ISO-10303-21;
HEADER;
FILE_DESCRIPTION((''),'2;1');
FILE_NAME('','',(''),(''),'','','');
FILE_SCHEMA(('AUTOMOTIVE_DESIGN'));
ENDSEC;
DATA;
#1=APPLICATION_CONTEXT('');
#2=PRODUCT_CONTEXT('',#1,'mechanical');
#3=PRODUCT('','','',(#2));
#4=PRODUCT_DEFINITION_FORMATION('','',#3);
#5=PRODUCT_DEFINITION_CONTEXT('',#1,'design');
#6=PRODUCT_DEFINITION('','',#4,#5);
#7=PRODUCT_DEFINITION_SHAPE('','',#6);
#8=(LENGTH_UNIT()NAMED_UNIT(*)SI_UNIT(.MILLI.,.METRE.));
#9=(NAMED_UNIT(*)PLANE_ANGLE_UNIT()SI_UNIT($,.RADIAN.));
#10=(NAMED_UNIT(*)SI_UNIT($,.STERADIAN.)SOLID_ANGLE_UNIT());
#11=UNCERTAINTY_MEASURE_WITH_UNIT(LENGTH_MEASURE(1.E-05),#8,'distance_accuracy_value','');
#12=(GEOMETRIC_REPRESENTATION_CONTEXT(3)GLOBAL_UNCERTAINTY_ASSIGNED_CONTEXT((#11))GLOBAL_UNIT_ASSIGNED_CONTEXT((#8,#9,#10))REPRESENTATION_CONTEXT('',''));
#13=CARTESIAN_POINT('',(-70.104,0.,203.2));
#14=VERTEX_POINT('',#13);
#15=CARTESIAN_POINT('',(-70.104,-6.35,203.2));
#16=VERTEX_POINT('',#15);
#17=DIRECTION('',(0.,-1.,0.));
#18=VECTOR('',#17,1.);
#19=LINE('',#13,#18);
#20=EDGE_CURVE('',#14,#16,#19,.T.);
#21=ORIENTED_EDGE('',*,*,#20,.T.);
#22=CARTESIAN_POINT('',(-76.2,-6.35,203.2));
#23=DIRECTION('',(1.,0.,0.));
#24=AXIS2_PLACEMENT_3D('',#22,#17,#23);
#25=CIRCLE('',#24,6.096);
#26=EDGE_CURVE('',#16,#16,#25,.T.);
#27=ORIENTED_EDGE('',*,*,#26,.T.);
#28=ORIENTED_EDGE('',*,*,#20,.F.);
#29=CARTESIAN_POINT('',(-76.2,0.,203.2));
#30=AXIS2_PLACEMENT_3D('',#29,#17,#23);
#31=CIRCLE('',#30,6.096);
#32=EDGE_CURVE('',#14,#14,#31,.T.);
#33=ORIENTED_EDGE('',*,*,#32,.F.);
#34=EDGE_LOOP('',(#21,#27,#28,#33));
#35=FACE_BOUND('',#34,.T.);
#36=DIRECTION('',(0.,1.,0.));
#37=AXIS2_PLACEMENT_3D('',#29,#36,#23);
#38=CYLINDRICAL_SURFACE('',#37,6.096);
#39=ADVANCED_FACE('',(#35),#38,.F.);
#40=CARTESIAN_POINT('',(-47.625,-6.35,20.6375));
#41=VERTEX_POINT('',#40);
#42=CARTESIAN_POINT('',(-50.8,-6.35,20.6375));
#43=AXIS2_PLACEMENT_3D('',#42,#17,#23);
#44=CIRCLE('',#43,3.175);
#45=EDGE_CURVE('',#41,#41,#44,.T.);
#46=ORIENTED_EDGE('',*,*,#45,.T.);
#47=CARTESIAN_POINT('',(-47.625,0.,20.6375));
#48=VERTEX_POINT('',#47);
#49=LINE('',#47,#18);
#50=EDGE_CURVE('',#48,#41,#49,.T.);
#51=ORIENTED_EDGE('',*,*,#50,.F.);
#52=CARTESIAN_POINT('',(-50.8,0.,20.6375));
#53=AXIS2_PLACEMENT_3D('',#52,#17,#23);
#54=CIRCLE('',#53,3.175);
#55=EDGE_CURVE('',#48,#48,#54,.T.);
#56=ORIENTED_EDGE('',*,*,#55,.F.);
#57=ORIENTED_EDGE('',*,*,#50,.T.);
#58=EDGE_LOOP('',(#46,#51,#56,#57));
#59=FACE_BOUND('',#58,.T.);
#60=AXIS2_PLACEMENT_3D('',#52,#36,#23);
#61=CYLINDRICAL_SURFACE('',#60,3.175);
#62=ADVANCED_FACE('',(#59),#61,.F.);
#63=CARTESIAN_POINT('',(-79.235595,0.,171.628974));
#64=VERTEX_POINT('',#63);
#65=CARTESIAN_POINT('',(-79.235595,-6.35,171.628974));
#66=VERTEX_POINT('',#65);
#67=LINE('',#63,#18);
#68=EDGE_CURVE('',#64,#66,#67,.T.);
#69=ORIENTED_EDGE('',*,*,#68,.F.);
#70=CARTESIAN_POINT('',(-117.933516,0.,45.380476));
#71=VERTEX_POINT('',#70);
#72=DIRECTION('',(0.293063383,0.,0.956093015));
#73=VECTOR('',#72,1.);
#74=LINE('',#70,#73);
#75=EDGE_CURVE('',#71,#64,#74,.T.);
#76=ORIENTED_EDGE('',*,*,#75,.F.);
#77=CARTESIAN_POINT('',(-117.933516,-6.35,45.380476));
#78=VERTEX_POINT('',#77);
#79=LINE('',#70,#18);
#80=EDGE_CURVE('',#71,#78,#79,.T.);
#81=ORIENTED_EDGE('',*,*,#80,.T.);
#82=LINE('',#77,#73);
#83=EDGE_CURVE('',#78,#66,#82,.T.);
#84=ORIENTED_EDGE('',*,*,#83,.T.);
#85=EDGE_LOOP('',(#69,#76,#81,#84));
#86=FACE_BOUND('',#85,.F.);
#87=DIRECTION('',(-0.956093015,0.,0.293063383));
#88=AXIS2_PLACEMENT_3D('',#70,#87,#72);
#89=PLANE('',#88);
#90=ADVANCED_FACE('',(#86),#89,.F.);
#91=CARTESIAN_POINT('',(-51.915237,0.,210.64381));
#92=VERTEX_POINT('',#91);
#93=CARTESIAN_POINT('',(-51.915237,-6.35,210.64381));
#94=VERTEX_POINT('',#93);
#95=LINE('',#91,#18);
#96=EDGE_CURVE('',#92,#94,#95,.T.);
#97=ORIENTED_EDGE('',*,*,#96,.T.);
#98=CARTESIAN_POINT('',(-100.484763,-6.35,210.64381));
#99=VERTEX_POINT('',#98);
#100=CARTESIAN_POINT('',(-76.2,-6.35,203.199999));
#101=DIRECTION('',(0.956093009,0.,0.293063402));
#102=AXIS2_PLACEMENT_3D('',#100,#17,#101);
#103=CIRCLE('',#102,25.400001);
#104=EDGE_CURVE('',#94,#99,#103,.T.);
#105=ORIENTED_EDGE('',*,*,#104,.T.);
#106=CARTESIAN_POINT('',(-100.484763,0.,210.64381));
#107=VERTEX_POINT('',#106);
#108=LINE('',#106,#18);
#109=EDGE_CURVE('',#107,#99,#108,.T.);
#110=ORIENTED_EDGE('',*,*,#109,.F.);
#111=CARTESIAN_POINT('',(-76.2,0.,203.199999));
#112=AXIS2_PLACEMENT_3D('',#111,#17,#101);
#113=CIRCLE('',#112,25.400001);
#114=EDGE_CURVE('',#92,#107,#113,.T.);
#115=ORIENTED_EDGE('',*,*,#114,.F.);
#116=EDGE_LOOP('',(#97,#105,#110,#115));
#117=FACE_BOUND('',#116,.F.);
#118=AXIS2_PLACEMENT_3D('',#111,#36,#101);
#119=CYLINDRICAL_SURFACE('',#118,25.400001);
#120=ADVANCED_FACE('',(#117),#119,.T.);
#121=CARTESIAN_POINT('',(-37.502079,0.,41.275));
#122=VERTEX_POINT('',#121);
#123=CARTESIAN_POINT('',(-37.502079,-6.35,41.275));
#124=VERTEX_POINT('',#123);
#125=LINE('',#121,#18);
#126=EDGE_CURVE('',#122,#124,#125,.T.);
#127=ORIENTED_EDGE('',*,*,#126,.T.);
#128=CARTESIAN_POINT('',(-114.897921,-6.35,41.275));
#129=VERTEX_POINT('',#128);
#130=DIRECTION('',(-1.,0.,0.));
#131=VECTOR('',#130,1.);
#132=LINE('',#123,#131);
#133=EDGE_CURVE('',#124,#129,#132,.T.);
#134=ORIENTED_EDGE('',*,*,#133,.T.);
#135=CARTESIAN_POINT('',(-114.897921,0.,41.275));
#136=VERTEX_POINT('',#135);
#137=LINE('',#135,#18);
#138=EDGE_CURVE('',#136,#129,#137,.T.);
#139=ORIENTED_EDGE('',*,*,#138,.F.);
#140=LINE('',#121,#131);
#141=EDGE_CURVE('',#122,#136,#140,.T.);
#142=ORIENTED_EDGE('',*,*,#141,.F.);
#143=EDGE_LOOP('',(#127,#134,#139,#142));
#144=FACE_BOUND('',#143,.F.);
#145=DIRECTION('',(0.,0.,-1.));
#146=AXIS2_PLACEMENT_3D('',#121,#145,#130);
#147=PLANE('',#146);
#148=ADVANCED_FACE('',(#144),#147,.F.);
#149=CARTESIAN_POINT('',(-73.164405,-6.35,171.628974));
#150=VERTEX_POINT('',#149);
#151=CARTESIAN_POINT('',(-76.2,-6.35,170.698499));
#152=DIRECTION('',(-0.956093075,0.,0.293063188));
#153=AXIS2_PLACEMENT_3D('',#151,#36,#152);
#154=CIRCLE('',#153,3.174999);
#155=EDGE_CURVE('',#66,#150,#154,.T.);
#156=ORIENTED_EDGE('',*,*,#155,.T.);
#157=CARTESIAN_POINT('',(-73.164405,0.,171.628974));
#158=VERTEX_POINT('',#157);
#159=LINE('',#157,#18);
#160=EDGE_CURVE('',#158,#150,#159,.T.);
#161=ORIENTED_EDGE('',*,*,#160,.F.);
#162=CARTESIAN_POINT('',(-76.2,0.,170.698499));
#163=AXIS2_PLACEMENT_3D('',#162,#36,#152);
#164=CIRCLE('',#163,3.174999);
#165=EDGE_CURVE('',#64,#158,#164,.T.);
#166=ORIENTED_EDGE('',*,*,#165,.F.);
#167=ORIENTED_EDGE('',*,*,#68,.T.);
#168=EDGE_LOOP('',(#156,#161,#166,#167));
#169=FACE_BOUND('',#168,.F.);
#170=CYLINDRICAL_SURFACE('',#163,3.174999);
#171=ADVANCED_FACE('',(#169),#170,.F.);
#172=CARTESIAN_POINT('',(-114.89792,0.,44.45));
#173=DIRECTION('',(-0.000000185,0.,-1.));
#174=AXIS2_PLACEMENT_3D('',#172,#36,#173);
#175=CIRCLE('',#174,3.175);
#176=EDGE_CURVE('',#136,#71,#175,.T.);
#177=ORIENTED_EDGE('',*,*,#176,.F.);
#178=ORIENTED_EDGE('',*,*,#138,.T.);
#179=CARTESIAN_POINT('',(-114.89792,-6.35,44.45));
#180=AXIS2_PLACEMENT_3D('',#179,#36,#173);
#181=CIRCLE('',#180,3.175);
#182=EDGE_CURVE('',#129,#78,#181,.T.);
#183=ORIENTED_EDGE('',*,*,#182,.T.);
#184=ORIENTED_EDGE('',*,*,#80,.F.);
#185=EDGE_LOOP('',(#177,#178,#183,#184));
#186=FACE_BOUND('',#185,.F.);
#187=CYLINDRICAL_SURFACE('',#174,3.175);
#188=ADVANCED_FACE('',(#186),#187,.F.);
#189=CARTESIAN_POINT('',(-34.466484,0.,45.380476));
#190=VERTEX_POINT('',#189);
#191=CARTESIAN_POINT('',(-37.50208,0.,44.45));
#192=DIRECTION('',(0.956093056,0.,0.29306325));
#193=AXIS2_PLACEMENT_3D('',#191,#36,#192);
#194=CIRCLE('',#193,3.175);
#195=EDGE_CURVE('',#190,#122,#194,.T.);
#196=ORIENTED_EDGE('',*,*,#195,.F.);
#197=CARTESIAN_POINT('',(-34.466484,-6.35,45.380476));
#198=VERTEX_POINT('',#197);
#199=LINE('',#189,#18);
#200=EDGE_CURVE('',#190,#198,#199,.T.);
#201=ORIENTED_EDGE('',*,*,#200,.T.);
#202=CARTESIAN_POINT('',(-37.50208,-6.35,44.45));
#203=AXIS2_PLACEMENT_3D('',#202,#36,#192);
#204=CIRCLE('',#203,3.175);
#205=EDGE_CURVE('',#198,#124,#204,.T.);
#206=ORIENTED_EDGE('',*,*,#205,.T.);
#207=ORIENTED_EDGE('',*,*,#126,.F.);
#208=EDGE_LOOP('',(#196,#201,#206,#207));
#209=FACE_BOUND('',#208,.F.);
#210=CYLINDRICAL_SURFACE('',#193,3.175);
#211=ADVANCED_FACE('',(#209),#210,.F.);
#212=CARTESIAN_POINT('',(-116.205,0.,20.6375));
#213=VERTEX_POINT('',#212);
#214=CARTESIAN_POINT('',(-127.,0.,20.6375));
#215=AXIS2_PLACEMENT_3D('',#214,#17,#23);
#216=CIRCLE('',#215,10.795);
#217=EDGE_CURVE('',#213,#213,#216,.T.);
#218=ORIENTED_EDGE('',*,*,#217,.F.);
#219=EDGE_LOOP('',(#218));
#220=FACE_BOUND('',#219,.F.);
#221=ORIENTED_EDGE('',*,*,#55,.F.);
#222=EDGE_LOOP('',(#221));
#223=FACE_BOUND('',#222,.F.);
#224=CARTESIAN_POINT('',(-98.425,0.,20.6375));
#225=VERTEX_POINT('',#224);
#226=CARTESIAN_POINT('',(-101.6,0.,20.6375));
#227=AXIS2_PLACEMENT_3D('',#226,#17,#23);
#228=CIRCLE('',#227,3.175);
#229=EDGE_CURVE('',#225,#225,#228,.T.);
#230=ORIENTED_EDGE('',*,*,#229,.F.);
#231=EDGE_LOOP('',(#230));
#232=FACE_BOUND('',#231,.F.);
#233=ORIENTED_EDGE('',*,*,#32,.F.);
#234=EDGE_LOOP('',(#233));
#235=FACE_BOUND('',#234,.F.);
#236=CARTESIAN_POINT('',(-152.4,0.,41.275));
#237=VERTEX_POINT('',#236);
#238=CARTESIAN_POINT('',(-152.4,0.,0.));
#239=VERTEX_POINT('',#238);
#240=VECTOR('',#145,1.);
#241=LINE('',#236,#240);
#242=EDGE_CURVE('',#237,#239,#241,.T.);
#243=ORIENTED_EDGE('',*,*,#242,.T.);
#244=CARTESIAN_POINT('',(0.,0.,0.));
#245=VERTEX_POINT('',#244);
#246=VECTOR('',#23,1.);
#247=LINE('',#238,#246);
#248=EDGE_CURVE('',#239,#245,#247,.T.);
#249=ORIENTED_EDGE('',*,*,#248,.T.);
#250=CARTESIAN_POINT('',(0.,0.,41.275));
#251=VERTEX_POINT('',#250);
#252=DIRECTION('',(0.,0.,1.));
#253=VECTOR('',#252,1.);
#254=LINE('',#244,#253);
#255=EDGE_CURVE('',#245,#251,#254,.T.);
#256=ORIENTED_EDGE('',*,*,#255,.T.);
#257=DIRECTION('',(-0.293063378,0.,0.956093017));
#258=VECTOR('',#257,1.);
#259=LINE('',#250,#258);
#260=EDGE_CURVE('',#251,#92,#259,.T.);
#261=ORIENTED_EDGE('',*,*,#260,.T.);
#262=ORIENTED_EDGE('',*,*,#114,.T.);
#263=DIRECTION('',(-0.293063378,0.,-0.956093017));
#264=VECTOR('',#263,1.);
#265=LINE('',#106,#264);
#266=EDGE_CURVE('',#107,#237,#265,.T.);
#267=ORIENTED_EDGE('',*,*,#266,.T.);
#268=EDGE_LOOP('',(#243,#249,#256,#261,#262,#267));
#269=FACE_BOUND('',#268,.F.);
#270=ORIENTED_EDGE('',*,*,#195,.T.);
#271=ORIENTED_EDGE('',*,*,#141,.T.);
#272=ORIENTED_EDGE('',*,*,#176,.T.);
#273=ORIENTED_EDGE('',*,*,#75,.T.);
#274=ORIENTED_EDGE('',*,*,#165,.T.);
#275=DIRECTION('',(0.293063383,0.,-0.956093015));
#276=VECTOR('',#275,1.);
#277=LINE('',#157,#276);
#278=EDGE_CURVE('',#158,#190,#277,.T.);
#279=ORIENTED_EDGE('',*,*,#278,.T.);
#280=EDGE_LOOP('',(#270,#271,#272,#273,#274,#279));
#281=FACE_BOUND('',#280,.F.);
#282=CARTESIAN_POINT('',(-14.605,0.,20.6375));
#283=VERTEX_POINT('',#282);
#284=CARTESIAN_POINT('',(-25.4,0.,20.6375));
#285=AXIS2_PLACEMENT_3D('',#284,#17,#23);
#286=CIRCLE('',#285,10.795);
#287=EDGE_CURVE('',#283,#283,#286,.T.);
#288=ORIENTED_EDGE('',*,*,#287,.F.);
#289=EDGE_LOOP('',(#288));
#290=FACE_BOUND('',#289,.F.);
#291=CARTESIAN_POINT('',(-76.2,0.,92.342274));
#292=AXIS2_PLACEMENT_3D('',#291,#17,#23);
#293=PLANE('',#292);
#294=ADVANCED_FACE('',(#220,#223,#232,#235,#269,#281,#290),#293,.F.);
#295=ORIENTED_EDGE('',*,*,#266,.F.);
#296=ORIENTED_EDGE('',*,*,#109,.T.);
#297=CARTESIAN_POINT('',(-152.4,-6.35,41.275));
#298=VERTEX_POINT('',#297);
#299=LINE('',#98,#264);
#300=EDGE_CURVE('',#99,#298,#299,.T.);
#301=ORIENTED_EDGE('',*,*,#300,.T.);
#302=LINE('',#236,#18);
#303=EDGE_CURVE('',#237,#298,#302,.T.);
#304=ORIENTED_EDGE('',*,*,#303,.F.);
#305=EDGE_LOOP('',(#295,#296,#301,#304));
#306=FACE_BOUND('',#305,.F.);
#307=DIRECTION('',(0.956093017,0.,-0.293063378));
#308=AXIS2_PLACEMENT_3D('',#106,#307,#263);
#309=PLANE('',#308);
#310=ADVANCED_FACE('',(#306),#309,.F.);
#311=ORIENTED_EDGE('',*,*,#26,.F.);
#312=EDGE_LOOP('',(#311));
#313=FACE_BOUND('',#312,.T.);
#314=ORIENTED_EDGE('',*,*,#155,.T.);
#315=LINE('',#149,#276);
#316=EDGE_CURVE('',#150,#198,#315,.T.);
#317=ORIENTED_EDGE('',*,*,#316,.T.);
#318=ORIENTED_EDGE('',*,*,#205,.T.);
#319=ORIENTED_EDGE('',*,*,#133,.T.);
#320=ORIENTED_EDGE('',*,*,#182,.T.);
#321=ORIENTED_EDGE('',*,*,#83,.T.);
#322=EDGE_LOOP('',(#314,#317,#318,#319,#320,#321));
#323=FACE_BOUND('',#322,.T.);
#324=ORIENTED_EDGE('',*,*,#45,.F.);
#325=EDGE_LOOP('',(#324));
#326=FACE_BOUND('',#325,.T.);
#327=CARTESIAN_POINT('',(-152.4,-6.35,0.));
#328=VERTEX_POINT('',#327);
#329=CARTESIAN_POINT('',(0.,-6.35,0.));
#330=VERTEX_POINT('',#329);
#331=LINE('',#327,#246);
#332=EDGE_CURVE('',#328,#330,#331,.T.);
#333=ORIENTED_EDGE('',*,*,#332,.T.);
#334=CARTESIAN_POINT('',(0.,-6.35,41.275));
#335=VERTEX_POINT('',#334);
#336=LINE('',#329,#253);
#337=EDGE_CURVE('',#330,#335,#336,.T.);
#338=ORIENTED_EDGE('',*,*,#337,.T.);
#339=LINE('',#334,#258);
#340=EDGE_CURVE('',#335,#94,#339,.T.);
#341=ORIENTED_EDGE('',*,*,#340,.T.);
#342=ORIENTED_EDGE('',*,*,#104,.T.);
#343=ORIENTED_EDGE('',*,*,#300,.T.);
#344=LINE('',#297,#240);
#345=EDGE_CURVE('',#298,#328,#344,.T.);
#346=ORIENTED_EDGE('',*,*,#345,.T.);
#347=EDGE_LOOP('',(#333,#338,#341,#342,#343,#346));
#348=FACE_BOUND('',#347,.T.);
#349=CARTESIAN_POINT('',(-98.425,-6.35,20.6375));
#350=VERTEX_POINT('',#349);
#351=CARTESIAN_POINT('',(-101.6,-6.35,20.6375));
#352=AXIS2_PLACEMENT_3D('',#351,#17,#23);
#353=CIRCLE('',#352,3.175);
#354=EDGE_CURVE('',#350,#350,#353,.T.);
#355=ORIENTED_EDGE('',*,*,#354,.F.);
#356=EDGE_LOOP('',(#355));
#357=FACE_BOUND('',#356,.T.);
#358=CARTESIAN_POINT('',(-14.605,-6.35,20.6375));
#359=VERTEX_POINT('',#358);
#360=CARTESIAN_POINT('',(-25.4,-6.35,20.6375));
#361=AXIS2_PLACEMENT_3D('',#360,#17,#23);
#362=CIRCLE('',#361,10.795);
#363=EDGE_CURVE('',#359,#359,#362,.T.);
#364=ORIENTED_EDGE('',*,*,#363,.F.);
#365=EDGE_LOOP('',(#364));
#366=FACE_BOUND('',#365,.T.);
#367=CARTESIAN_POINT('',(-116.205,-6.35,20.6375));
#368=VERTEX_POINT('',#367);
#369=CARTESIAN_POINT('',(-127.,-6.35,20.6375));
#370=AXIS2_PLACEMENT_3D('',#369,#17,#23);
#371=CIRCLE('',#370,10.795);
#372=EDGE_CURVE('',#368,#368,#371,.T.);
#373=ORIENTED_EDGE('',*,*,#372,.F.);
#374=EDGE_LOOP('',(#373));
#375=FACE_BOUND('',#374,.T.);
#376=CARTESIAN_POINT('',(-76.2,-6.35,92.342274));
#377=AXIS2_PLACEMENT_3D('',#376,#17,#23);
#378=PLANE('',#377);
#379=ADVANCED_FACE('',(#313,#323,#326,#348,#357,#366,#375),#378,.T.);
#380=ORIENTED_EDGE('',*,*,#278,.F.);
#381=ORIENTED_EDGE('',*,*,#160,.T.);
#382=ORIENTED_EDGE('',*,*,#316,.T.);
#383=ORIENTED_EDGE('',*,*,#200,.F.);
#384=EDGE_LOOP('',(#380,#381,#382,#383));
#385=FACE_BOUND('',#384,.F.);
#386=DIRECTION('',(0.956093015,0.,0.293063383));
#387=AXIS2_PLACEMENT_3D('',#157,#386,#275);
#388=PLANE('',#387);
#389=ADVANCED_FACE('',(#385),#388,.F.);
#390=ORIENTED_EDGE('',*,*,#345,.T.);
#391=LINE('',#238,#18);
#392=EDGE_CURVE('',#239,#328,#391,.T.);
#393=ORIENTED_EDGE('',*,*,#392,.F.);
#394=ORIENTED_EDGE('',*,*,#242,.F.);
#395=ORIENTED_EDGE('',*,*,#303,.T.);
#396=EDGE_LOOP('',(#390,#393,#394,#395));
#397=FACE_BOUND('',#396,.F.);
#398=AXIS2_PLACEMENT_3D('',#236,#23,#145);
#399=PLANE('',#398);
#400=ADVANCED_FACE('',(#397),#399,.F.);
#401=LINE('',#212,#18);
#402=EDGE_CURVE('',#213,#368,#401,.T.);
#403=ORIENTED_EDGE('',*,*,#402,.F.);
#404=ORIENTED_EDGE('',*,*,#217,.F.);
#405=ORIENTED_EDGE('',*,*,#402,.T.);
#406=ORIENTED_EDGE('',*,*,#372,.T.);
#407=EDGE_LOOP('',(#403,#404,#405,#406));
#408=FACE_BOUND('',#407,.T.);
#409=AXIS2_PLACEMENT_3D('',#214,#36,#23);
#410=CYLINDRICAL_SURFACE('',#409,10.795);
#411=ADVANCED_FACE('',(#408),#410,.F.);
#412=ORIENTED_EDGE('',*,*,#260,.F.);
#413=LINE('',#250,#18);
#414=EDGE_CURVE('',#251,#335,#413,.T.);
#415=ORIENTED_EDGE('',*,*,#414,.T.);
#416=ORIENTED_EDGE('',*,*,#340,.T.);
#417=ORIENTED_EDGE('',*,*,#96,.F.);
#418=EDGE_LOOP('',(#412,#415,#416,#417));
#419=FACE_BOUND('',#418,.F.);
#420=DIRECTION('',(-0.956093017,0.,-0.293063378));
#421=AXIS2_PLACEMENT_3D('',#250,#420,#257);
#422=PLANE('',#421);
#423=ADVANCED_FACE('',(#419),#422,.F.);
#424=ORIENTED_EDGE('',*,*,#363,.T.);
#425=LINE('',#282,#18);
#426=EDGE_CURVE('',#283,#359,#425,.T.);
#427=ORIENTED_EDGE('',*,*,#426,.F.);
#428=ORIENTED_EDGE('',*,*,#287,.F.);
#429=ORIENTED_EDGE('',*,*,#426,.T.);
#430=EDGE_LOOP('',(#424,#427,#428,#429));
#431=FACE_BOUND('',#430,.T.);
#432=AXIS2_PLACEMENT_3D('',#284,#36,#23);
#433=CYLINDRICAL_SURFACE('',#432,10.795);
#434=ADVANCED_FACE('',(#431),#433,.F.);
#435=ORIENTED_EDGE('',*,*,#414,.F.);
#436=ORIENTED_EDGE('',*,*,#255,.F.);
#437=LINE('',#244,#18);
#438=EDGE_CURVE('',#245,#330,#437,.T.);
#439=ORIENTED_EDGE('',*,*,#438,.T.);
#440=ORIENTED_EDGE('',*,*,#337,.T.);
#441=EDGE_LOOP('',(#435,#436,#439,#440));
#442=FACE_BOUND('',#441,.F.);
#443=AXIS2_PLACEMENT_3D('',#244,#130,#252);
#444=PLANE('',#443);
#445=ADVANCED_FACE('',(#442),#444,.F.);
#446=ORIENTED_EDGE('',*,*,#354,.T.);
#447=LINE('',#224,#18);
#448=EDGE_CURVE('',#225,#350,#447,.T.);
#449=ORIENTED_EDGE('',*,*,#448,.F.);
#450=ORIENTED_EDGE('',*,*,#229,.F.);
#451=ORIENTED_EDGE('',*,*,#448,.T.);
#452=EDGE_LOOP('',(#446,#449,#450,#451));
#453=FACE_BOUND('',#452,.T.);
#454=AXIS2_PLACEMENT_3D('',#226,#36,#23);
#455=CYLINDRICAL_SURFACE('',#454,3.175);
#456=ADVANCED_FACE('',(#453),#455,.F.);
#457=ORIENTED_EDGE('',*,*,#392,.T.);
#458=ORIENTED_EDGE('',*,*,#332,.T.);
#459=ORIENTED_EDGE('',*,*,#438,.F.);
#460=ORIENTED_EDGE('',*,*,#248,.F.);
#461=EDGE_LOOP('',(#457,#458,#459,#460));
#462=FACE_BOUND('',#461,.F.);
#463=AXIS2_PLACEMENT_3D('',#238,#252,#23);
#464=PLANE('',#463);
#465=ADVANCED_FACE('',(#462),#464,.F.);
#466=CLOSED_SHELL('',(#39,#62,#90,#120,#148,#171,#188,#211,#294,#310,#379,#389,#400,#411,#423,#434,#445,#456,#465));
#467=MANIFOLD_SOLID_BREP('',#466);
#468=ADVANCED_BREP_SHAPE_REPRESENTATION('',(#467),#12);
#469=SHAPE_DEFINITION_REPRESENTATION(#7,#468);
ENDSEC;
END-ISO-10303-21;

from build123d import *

# Parameters (mm, degrees)
F0_R     = 10.795
F0_R_2   = 3.175
F0_R_3   = 6.096
F1_DEPTH = 6.35


with BuildPart() as f1:
    # F0 (on Front) → F1 (new body)
    with BuildSketch(Plane.XZ):
        with BuildLine():
            Line((-152.4, 0), (0, 0))
            Line((0, 0), (0, 41.275))
            Line((0, 41.275), (-51.915237, 210.64381))
            ThreePointArc((-51.915237, 210.64381), (-76.2, 228.6), (-100.484763, 210.64381))
            Line((-100.484763, 210.64381), (-152.4, 41.275))
            Line((-152.4, 41.275), (-152.4, 0))
        make_face()
        with Locations((-127, 20.6375)):
            Circle(F0_R, mode=Mode.SUBTRACT)
        with Locations((-101.6, 20.6375)):
            Circle(F0_R_2, mode=Mode.SUBTRACT)
        with Locations((-50.8, 20.6375)):
            Circle(F0_R_2, mode=Mode.SUBTRACT)
        with Locations((-25.4, 20.6375)):
            Circle(F0_R, mode=Mode.SUBTRACT)
        with BuildLine():
            Line((-37.502079, 41.275), (-114.897921, 41.275))
            ThreePointArc((-114.897921, 41.275), (-117.450849, 42.562361), (-117.933516, 45.380476))
            Line((-117.933516, 45.380476), (-79.235595, 171.628974))
            ThreePointArc((-79.235595, 171.628974), (-76.2, 173.873498), (-73.164405, 171.628974))
            Line((-73.164405, 171.628974), (-34.466484, 45.380476))
            ThreePointArc((-34.466484, 45.380476), (-34.949151, 42.562361), (-37.502079, 41.275))
        make_face(mode=Mode.SUBTRACT)
        with Locations((-76.2, 203.2)):
            Circle(F0_R_3, mode=Mode.SUBTRACT)
    extrude(amount=F1_DEPTH)


solid = f1.part
